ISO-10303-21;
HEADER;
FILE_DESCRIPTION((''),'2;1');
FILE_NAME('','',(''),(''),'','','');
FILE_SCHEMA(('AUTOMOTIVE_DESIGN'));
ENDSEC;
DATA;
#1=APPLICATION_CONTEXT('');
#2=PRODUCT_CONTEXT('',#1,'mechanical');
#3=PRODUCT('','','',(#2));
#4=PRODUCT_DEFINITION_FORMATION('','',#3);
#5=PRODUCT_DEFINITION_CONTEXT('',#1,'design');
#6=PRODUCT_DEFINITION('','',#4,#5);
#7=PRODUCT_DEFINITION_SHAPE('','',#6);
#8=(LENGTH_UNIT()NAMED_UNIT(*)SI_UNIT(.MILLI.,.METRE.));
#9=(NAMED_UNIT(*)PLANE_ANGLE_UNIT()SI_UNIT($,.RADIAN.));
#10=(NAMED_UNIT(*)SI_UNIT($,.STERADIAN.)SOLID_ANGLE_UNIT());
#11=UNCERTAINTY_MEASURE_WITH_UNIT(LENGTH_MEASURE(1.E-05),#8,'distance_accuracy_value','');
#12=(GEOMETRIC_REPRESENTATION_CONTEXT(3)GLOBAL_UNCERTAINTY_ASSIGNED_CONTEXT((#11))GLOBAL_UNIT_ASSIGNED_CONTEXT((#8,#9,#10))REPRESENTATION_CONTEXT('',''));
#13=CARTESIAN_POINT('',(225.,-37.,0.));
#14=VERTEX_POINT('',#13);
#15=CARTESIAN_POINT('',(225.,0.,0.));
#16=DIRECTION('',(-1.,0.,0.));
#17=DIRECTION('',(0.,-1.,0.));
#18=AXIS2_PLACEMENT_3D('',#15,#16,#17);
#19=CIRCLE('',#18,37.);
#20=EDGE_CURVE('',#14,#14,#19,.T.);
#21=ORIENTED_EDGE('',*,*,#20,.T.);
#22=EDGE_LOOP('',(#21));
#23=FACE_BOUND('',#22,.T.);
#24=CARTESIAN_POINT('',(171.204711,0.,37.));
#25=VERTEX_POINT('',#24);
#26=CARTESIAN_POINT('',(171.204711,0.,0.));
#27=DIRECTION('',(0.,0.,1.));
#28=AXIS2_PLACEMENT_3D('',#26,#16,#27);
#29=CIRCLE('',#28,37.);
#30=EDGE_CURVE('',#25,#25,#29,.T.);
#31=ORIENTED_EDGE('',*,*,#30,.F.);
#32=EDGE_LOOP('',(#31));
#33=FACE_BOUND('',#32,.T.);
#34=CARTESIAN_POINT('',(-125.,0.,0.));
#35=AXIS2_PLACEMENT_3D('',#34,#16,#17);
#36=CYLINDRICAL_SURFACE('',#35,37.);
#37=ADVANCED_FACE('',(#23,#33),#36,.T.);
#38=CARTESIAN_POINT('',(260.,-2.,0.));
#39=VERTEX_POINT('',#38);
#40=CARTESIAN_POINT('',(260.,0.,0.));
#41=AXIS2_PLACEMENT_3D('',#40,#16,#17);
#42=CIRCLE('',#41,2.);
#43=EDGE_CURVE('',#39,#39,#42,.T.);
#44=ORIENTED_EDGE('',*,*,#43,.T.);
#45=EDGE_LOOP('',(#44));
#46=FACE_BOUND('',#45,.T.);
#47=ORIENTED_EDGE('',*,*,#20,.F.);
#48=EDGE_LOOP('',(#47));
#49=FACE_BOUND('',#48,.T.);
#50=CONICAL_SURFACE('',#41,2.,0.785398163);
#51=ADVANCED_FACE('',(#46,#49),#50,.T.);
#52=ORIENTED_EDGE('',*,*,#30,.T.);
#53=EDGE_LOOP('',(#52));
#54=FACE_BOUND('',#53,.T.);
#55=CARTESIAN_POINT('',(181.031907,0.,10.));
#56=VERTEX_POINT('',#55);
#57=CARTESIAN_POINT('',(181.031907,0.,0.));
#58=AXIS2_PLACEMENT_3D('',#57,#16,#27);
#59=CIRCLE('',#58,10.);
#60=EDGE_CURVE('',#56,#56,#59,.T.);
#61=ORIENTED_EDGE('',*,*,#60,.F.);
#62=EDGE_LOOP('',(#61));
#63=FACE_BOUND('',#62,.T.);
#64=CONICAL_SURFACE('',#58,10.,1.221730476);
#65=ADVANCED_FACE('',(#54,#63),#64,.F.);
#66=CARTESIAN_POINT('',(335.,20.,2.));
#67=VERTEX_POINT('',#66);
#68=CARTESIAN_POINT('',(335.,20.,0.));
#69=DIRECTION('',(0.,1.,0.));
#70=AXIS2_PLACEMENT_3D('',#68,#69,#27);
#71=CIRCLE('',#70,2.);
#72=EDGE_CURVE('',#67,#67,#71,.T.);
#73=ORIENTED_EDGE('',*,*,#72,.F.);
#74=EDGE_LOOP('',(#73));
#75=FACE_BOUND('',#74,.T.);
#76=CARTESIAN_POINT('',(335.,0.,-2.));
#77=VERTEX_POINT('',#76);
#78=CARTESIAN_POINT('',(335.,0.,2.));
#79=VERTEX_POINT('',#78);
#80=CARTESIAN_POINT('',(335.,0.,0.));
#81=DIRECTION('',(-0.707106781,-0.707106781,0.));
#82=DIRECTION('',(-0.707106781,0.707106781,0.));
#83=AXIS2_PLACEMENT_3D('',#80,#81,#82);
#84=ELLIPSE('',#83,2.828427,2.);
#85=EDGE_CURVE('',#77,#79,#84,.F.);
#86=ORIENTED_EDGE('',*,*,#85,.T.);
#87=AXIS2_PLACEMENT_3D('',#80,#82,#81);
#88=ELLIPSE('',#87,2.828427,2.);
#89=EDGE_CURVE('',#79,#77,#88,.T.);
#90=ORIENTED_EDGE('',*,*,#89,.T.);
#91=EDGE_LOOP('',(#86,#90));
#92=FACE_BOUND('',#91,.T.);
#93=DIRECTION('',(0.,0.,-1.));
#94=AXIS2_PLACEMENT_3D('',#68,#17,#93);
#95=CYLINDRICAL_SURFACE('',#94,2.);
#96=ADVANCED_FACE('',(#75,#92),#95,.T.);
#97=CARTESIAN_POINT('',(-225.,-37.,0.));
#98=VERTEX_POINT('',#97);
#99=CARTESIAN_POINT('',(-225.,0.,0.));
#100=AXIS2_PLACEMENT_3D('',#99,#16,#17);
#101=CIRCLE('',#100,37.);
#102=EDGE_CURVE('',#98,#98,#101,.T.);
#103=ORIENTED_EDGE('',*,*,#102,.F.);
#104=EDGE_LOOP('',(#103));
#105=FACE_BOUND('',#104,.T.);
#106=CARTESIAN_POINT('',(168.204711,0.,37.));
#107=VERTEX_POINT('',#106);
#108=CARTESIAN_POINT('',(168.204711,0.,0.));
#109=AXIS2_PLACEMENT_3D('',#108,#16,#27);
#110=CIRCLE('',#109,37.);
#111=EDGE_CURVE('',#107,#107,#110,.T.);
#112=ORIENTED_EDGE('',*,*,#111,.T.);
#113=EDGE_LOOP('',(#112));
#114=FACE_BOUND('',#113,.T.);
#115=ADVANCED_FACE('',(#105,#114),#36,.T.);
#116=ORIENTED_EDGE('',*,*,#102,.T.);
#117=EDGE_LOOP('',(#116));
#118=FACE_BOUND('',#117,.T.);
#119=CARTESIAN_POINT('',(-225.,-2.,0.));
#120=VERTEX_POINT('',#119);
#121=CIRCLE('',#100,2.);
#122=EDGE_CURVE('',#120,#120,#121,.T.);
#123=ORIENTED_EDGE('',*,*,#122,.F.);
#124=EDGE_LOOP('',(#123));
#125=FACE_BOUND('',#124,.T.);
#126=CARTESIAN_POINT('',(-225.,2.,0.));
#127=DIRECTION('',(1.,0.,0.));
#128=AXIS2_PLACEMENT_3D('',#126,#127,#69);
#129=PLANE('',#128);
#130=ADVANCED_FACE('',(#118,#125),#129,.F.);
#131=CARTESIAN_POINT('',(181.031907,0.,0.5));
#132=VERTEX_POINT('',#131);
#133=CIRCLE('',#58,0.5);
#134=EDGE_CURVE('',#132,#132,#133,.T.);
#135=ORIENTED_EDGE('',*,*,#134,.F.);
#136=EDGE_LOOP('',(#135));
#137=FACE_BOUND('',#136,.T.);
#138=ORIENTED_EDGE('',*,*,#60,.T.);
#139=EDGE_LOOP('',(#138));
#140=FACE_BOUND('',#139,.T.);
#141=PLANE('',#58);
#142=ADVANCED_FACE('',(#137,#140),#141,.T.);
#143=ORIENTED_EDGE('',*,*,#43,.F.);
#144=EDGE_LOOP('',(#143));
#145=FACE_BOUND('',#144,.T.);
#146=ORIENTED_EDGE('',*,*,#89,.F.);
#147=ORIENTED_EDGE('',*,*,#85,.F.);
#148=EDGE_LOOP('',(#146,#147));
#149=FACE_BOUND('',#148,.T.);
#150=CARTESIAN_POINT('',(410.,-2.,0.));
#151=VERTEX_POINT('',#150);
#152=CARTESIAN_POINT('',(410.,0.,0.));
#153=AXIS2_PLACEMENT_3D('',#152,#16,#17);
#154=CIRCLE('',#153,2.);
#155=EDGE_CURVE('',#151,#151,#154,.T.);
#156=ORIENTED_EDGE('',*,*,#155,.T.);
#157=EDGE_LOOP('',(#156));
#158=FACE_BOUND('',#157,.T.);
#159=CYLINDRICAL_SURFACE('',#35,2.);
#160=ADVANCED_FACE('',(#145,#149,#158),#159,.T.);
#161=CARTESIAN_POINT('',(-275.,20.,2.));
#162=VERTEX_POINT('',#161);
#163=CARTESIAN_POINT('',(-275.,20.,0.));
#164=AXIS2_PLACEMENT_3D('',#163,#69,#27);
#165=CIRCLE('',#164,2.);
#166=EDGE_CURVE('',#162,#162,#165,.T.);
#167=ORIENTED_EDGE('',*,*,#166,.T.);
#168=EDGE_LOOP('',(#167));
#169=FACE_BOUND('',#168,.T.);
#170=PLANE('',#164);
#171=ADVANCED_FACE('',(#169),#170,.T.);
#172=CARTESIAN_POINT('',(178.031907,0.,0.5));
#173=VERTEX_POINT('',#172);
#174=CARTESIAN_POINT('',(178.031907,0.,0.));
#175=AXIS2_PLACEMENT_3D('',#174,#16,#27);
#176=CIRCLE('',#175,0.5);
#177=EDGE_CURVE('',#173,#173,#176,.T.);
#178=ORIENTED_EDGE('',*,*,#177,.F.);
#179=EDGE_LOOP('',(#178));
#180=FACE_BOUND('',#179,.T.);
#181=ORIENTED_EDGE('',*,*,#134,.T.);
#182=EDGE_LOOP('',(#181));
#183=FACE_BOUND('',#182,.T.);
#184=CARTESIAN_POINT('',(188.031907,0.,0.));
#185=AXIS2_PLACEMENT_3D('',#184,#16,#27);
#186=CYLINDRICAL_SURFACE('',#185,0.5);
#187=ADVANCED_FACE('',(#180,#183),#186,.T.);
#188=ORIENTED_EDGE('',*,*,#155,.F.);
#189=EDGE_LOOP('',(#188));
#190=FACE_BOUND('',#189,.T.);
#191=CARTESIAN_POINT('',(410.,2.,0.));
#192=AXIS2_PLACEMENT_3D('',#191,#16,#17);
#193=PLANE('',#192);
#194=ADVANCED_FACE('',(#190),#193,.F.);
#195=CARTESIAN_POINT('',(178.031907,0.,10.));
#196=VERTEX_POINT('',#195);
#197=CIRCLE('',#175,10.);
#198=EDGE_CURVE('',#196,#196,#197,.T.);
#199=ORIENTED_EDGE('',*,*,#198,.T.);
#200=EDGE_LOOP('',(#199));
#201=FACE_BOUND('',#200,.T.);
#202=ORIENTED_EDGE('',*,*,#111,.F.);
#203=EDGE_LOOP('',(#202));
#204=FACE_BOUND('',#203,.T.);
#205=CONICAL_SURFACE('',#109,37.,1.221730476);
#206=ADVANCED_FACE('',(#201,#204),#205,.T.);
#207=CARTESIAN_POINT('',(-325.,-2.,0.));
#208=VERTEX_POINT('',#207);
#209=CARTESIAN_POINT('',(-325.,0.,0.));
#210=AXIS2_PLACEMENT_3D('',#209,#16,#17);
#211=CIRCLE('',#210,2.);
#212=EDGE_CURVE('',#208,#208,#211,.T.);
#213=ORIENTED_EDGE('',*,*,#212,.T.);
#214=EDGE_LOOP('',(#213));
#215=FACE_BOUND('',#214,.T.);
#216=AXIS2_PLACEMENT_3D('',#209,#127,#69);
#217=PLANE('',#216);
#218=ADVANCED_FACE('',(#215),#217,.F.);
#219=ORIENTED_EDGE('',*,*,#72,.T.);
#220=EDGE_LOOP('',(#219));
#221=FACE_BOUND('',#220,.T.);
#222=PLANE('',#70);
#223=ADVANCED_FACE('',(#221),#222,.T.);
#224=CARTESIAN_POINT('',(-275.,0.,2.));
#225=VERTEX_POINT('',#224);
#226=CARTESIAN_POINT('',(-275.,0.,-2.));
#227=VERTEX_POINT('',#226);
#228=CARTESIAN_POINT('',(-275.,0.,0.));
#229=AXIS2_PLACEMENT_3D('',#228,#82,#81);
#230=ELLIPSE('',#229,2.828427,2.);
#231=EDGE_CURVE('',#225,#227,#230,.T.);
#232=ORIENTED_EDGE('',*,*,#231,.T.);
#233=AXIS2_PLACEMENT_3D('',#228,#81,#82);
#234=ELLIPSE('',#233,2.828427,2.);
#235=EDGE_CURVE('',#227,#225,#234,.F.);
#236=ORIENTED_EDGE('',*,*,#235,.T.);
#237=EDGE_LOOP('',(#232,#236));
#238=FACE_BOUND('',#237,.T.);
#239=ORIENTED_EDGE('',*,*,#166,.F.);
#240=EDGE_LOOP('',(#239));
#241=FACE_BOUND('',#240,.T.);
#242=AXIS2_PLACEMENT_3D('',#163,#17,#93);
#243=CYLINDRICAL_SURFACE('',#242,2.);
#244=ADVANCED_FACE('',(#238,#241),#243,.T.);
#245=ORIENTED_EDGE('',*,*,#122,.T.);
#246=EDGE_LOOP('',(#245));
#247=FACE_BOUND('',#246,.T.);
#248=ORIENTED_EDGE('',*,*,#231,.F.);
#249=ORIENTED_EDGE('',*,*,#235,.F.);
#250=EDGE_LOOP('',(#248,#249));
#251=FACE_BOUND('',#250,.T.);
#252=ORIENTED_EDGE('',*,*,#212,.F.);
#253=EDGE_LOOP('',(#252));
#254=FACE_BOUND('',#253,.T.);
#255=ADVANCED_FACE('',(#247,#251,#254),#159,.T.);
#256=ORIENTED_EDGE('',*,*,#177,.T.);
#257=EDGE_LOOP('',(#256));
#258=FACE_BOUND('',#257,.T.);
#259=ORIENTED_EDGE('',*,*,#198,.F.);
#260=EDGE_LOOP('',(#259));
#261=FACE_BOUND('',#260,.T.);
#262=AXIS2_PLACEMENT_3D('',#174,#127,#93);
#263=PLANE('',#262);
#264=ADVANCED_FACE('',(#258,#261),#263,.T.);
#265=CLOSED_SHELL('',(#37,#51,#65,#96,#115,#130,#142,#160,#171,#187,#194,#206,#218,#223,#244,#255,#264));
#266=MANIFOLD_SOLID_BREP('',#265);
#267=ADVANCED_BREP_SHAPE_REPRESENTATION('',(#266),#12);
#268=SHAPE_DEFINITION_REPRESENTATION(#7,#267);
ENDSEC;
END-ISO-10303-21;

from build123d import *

# Parameters (mm, degrees)
SKETCH2_R           = 2
BOSS_EXTRUDE1_DEPTH = 20
SKETCH5_R           = 0.5
CUT_EXTRUDE1_DEPTH  = 10


with BuildPart() as part:
    # Sketch1 → Revolve1 (revolve)
    with BuildSketch(Plane.XY):
        Polygon((-225, 2), (-225, 37), (225, 37), (260, 2), (410, 2), (410, 0), (-125, 0), (-325, 0), (-325, 2), align=None)
    revolve(axis=Axis((-125, 0, 0), (1, 0, 0)))

    # Sketch2 → Boss-Extrude1 (add)
    with BuildSketch(Plane(origin=(0, 0, 0), x_dir=(1, 0, 0), z_dir=(0, 1, 0))):
        with Locations((-275, 0)):
            Circle(SKETCH2_R)
        with Locations((335, 0)):
            Circle(SKETCH2_R)
    extrude(amount=BOSS_EXTRUDE1_DEPTH)


with BuildPart() as body_2:
    # Sketch4 → Revolve2 (revolve)
    with BuildSketch(Plane(origin=(0, 0, 0), x_dir=(1, 0, 0), z_dir=(0, 1, 0))):
        Polygon((181.031907012, 0), (181.031907012, 10), (171.204710687, 37), (168.204710687, 37), (178.031907012, 10), (178.031907012, 0), align=None)
    revolve(axis=Axis((178.031907012, 0, 0), (1, 0, 0)))

    # Sketch5 → Cut-Extrude1 (cut)
    with BuildSketch(Plane.ZY.offset(-178.031907012)):
        Circle(SKETCH5_R)
    extrude(amount=-CUT_EXTRUDE1_DEPTH, mode=Mode.SUBTRACT)


with BuildPart() as part_1:
    add(part.part)

    # Combine1: cut body 2
    add(body_2.part, mode=Mode.SUBTRACT)


solid = part_1.part
